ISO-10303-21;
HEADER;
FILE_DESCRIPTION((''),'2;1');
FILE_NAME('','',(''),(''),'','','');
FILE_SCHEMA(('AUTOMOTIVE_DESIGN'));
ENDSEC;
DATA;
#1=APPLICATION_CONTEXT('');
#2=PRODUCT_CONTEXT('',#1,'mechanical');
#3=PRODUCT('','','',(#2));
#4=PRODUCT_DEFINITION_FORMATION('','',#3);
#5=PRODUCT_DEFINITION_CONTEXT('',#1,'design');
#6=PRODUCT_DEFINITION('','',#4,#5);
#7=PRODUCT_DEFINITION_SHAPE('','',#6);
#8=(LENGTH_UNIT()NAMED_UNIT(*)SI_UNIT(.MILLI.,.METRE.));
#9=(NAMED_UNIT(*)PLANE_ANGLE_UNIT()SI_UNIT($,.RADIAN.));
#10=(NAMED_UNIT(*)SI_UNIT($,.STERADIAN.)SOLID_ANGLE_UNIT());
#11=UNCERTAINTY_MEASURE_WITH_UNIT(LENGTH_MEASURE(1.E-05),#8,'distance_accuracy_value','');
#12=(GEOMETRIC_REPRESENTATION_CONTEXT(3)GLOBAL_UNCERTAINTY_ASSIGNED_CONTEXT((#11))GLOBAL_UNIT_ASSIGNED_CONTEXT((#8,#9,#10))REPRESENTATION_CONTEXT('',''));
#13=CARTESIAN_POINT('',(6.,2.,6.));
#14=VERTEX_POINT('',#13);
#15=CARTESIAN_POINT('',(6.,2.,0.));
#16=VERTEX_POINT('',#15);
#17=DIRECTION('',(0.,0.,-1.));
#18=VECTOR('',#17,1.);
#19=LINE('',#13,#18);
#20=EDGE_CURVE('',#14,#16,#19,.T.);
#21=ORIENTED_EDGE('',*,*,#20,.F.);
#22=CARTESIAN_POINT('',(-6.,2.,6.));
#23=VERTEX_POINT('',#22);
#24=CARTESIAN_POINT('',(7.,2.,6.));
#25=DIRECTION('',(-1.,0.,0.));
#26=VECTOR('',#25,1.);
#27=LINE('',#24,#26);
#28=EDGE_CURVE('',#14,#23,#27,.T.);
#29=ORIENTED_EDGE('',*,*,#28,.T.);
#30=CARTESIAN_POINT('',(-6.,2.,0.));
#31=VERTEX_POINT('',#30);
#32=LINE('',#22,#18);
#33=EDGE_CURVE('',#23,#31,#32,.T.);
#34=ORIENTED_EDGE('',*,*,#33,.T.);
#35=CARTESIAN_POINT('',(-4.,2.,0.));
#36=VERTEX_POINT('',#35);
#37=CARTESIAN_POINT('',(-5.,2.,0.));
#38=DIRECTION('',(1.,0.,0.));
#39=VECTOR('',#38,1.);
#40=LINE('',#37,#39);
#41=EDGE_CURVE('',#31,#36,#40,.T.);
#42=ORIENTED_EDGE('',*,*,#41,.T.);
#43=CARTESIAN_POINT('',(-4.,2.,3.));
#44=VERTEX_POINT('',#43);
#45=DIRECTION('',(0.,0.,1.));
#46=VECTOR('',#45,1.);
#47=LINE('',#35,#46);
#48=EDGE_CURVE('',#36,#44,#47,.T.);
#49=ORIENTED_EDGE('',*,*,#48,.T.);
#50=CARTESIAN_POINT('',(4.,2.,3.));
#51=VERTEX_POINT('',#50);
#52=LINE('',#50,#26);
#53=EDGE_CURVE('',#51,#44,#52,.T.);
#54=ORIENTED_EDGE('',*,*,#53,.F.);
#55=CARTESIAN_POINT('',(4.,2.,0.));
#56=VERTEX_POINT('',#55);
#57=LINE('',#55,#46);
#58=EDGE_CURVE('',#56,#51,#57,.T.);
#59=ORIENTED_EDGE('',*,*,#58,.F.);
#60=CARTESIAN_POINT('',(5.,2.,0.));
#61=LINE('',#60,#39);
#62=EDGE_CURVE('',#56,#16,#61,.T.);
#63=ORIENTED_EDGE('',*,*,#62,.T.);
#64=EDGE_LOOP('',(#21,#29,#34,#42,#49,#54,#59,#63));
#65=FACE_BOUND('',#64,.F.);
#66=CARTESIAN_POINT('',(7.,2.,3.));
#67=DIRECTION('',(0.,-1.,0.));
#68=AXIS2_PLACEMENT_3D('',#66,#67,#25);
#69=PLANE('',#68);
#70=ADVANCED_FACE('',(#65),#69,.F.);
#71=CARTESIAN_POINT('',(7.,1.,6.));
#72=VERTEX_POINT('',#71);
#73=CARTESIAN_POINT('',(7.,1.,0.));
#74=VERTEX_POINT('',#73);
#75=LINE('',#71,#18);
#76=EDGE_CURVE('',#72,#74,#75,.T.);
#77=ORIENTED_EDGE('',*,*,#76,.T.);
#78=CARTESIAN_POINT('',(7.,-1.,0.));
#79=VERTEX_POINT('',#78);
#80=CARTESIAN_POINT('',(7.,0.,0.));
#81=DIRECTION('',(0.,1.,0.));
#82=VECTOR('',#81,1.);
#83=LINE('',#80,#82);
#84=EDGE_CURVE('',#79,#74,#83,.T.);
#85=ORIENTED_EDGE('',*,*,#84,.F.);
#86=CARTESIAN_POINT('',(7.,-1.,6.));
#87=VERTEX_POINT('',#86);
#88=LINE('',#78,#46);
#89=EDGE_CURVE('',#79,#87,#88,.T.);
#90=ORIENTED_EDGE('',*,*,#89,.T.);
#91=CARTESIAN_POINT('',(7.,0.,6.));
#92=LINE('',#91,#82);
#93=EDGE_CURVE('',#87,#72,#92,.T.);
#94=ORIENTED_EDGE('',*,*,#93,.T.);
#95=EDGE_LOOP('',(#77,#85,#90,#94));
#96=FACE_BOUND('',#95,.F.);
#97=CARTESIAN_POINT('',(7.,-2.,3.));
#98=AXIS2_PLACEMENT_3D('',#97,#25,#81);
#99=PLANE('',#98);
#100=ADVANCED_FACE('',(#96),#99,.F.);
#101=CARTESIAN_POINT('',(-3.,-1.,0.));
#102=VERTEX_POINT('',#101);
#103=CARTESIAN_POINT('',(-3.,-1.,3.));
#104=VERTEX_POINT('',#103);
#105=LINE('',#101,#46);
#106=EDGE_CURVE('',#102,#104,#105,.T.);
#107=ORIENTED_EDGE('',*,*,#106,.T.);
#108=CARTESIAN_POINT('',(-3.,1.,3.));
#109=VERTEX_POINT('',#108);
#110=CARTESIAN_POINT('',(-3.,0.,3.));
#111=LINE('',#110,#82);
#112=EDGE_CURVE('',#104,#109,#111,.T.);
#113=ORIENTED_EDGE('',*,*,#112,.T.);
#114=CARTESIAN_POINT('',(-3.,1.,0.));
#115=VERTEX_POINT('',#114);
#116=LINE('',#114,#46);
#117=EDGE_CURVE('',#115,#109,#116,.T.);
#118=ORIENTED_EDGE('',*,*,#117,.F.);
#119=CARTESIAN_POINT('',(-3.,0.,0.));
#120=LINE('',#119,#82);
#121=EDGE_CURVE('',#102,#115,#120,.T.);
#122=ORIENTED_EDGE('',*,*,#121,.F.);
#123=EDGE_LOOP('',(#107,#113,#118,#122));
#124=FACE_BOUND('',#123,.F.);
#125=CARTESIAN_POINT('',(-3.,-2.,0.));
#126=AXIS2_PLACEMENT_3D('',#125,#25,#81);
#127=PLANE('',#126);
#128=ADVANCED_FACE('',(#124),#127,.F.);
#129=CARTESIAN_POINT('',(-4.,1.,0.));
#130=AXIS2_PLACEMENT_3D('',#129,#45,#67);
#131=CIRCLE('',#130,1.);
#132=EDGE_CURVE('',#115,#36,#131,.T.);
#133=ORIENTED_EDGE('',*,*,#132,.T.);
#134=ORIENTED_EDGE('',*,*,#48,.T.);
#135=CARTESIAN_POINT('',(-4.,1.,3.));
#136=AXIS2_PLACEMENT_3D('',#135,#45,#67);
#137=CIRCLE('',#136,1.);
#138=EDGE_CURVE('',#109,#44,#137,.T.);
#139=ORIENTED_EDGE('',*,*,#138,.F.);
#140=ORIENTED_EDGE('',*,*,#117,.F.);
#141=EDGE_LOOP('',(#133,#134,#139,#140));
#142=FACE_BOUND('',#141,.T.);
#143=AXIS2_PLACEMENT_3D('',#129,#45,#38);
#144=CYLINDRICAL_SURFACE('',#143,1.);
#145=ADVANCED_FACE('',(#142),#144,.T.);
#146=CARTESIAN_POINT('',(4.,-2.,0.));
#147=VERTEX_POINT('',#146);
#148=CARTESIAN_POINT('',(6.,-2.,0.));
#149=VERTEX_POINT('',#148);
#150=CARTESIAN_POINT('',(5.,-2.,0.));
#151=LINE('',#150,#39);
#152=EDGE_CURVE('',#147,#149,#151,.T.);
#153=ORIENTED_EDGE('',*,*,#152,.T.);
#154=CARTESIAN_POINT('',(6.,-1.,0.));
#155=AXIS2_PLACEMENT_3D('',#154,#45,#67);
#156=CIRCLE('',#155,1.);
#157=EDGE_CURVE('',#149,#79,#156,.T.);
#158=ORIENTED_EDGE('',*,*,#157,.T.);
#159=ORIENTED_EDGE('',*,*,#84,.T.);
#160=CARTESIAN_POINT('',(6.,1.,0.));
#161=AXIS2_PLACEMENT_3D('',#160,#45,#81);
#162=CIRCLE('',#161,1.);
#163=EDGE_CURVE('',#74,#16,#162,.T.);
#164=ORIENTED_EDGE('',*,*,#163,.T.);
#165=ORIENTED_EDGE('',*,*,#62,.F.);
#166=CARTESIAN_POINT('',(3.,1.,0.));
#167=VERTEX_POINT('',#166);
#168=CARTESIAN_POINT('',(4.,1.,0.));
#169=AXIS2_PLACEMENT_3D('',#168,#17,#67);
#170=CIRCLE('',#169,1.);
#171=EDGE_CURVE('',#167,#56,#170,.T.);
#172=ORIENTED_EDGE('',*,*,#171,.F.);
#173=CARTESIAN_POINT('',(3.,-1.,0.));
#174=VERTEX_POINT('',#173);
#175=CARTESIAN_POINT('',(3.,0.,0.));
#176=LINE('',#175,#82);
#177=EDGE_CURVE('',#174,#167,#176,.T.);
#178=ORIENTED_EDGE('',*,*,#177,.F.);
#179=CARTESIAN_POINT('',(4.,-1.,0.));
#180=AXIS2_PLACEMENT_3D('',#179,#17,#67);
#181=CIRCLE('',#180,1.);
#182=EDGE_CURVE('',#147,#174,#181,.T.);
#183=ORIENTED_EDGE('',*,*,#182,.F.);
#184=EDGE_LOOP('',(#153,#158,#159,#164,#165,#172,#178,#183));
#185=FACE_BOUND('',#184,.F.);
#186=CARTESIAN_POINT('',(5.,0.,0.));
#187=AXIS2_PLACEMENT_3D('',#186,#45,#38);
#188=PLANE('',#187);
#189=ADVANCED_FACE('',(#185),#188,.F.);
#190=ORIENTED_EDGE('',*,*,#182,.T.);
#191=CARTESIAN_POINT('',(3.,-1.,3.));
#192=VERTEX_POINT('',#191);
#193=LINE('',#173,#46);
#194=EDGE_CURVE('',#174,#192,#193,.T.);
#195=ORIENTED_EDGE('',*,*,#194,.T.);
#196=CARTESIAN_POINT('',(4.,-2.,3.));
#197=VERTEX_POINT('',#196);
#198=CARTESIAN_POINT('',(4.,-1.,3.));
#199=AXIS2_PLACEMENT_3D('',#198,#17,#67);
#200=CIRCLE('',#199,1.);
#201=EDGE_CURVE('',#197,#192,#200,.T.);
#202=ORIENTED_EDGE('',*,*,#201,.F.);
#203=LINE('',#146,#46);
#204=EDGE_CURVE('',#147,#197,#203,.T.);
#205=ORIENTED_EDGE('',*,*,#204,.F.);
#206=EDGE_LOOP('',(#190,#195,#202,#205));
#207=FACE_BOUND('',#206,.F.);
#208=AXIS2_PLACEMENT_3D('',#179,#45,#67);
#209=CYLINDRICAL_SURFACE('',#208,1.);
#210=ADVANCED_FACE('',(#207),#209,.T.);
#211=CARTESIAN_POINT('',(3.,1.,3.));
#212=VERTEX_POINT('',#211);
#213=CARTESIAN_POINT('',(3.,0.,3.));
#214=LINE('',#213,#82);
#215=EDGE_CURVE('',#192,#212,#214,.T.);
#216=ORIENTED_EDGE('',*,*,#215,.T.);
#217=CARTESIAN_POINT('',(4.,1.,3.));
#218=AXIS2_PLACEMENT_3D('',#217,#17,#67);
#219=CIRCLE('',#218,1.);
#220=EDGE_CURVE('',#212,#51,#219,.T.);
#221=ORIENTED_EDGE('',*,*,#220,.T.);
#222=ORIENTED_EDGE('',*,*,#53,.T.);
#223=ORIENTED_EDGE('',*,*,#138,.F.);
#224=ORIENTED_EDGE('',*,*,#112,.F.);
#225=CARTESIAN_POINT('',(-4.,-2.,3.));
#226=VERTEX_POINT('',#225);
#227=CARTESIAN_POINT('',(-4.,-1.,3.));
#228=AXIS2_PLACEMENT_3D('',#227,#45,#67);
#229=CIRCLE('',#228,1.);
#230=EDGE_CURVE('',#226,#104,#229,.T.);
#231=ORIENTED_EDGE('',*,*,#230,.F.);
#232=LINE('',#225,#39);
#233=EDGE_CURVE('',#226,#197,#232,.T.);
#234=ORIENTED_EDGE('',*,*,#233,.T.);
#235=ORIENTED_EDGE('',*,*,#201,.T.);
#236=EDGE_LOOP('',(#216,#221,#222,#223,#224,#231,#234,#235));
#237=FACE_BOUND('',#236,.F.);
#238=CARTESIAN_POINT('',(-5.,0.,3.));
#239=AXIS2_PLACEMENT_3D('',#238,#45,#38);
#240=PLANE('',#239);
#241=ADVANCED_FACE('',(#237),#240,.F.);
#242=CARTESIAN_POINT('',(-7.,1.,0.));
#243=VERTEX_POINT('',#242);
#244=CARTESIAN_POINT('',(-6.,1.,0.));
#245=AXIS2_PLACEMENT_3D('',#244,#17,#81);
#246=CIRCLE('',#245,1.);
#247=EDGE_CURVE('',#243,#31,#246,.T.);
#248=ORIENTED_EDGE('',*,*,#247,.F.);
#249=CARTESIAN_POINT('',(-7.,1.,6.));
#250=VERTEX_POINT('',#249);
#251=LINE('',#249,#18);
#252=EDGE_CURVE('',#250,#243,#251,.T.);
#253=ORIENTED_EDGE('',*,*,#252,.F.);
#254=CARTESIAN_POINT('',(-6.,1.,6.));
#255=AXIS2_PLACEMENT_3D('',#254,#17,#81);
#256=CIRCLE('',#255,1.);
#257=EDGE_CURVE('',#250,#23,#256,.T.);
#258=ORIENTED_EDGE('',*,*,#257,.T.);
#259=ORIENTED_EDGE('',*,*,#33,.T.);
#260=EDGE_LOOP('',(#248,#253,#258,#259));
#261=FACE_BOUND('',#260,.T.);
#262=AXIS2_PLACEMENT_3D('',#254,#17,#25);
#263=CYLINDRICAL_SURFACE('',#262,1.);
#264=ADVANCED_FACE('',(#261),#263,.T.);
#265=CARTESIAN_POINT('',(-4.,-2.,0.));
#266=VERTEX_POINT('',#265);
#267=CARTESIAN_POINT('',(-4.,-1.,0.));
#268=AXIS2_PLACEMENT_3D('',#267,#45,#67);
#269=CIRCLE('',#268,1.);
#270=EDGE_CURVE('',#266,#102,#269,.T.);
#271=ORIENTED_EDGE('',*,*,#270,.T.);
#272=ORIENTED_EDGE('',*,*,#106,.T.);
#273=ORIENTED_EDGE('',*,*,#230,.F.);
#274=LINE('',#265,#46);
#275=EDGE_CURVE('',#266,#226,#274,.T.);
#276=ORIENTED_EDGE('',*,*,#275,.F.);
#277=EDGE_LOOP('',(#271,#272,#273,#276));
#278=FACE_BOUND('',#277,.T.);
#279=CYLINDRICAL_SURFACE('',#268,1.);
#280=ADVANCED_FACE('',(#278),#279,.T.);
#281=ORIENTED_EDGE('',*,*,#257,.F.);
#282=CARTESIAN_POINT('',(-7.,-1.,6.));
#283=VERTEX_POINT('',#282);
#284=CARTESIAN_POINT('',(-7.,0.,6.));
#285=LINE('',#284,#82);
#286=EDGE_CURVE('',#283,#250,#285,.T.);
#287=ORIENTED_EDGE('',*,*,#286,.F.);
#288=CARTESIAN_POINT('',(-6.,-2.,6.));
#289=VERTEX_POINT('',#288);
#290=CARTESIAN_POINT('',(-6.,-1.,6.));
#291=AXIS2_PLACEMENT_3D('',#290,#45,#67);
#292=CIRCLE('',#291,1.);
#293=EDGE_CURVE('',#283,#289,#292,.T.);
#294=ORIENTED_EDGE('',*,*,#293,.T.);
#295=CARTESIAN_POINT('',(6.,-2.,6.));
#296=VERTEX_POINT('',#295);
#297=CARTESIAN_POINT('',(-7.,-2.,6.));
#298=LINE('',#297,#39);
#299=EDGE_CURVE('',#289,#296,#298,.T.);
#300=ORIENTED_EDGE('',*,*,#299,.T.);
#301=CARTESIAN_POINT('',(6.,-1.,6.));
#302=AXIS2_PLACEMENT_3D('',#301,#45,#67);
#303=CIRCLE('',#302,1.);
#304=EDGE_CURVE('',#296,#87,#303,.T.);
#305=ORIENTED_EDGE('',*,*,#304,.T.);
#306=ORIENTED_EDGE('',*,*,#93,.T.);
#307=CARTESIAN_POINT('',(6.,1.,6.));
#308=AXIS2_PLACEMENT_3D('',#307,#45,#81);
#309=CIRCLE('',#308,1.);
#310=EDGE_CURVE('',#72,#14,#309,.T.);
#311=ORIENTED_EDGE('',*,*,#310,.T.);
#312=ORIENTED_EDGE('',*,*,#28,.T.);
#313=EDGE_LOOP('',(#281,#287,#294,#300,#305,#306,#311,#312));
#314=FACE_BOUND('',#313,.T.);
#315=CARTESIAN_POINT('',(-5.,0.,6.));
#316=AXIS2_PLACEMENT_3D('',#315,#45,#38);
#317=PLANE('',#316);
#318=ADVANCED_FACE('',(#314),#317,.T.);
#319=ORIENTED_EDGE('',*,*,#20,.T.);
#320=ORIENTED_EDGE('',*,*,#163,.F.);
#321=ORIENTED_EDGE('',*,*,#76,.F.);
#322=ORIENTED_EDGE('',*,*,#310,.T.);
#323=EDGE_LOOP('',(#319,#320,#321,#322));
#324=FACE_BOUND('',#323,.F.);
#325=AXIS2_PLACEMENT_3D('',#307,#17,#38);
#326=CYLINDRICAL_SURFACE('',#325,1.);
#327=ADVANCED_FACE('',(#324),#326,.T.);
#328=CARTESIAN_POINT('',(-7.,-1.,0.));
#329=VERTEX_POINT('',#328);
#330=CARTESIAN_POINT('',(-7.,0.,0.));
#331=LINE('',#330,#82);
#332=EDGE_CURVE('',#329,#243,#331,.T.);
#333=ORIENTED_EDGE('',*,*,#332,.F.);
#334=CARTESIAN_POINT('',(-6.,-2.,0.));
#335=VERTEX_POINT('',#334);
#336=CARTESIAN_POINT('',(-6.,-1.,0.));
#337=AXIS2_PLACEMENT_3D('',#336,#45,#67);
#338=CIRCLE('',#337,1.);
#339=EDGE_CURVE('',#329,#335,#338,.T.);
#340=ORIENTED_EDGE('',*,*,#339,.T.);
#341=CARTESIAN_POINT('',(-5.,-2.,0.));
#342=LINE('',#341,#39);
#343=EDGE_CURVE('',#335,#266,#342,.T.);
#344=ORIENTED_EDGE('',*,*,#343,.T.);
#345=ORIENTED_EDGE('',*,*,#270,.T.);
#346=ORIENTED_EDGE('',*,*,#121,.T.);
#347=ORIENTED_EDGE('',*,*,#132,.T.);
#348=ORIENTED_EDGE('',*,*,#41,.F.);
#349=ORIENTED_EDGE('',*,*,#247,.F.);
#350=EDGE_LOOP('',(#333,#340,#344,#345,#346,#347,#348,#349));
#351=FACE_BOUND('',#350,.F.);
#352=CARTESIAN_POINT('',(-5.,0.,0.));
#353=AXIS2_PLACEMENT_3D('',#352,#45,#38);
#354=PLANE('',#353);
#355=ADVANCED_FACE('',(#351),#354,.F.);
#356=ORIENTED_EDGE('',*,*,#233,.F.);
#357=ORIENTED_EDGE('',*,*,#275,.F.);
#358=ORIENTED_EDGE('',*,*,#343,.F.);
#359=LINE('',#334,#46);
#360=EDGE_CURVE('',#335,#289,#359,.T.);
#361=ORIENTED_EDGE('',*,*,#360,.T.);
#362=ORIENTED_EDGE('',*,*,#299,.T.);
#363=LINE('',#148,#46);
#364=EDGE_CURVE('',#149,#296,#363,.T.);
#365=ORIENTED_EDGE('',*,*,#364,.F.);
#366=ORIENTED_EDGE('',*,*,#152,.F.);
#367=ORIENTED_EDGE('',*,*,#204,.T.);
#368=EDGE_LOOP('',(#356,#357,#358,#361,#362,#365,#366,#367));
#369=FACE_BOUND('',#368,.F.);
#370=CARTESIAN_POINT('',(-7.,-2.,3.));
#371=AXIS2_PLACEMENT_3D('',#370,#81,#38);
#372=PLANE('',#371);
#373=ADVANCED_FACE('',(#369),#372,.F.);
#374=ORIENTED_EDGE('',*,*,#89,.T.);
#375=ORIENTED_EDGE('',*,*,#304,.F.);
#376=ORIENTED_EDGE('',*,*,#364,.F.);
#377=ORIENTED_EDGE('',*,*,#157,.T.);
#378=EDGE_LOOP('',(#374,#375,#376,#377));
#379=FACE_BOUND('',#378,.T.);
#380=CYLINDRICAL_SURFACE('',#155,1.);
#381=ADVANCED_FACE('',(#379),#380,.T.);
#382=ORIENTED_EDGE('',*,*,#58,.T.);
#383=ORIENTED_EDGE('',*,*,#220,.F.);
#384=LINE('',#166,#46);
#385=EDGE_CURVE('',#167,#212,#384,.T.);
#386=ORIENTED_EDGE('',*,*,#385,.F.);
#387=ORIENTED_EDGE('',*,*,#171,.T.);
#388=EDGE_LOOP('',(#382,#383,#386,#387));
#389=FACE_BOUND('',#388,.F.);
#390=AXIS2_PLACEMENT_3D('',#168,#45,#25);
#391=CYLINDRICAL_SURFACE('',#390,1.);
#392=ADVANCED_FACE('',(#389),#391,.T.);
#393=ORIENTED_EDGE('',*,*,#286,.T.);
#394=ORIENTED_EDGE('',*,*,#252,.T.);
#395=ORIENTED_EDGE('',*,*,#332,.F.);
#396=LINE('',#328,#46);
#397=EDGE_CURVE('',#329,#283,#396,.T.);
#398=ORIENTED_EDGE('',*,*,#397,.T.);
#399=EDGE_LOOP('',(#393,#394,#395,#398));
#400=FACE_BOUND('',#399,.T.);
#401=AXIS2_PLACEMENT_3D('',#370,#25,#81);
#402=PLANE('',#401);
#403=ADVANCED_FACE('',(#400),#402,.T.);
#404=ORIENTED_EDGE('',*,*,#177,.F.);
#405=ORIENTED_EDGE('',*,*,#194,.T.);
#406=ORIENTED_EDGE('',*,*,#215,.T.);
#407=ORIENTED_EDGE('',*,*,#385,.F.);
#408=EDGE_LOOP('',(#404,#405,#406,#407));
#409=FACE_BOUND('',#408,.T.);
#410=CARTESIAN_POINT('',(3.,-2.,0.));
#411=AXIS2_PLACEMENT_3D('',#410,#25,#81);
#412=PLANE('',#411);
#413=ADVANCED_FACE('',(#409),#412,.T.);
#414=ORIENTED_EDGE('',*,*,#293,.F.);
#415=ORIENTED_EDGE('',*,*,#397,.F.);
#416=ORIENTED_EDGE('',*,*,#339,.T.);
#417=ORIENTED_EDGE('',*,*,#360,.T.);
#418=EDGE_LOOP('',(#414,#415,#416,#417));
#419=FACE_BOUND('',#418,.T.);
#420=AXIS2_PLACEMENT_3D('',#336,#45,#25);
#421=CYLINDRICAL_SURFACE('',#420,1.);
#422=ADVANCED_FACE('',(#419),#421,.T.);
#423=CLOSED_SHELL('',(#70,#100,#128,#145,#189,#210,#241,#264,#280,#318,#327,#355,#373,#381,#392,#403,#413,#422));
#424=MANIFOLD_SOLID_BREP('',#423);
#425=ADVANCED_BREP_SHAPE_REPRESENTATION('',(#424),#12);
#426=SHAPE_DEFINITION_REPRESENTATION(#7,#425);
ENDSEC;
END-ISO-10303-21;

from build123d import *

# Parameters (mm, degrees)
F0_W     = 4
F0_H     = 4
F1_DEPTH = 3
F2_W     = 4
F2_H     = 4
F2_W_2   = 10
F3_DEPTH = 3
F4_R     = 1


with BuildPart() as f1:
    # F0 (on Top) → F1 (new body)
    with BuildSketch(Plane.XY):
        with Locations((-5, 0)):
            Rectangle(F0_W, F0_H)
        with Locations((5, 0)):
            Rectangle(F0_W, F0_H)
    extrude(amount=F1_DEPTH)

    # F2 (on face) → F3 (join)
    with BuildSketch(Plane.XY.offset(3)):
        with Locations((-5, 0)):
            Rectangle(F2_W, F2_H)
        with Locations((2, 0)):
            Rectangle(F2_W_2, F2_H)
    extrude(amount=F3_DEPTH)

    # F4
    f4_edges = [f1.edges().sort_by_distance(p)[0] for p in [
        (-7, -2, 3),
        (-3, -2, 1.5),
        (-3, 2, 1.5),
        (3, -2, 1.5),
        (7, -2, 3),
        (7, 2, 3),
        (3, 2, 1.5),
        (-7, 2, 3),
    ]]
    fillet(f4_edges, radius=F4_R)


solid = f1.part
